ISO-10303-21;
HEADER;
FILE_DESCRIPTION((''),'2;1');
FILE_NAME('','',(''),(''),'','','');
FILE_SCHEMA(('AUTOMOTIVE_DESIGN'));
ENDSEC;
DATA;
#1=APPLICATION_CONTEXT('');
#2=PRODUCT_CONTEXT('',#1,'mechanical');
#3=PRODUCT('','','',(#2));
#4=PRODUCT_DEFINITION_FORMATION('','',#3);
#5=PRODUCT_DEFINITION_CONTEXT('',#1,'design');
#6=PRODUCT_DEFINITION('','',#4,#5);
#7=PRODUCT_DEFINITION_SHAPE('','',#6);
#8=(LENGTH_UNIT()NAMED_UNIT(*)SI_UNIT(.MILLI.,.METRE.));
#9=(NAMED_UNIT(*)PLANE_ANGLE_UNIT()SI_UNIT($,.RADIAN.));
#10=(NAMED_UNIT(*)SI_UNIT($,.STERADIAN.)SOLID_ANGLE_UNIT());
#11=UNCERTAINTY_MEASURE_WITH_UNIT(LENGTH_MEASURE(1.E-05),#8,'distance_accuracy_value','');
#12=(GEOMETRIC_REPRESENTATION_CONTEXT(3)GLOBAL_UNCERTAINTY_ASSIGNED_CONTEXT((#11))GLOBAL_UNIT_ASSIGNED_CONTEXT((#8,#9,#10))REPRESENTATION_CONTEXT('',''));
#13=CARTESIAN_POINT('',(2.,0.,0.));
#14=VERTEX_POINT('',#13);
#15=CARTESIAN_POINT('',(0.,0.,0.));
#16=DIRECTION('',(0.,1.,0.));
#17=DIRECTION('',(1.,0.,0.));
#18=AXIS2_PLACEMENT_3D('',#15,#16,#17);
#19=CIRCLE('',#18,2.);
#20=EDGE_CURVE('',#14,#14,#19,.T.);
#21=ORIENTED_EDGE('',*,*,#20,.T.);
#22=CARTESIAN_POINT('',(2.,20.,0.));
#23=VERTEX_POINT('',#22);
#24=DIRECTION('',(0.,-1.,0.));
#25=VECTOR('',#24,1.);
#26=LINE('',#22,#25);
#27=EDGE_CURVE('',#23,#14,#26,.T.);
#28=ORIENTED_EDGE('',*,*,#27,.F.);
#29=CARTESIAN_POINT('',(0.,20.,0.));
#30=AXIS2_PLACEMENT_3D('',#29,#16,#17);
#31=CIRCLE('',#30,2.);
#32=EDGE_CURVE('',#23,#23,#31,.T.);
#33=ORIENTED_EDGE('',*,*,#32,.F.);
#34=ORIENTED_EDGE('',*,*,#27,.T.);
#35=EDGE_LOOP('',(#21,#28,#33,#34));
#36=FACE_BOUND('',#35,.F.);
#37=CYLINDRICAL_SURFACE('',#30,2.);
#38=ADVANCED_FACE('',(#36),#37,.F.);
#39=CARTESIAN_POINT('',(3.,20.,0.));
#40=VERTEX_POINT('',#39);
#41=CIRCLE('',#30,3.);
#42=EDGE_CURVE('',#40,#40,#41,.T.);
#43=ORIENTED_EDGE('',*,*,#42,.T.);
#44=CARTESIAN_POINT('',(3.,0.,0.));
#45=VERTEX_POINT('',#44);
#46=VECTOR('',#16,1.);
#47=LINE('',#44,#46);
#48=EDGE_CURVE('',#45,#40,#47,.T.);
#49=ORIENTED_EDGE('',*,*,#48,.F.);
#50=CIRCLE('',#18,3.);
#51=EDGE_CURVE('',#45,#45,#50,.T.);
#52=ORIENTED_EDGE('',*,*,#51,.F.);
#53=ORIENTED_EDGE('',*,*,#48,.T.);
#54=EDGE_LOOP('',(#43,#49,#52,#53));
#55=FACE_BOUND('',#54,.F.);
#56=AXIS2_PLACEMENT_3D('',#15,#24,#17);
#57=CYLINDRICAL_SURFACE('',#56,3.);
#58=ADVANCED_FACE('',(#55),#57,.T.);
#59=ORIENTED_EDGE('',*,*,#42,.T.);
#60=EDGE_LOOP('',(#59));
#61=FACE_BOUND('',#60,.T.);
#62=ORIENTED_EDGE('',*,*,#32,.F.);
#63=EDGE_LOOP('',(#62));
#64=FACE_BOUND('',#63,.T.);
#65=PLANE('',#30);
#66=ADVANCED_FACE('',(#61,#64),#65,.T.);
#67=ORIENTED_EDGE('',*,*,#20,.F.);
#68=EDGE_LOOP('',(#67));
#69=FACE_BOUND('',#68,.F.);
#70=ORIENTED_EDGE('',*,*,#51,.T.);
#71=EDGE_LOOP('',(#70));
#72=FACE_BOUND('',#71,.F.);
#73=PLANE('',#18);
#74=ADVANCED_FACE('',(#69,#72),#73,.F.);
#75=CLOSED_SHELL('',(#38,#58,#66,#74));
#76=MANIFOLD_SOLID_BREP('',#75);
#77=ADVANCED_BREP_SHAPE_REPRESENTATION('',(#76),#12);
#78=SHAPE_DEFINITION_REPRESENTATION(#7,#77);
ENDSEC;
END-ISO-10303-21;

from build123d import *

# Parameters (mm, degrees)
SKETCH1_R           = 3
BOSS_EXTRUDE1_DEPTH = 20
SKETCH2_R           = 2
CUT_EXTRUDE1_DEPTH  = 21


with BuildPart() as part:
    # Sketch1 → Boss-Extrude1 (new body)
    with BuildSketch(Plane(origin=(0, 0, 0), x_dir=(1, 0, 0), z_dir=(0, 1, 0))):
        Circle(SKETCH1_R)
    extrude(amount=BOSS_EXTRUDE1_DEPTH)

    # Sketch2 → Cut-Extrude1 (cut, through all)
    with BuildSketch(Plane(origin=(0, 20, 0), x_dir=(1, 0, 0), z_dir=(0, 1, 0))):
        Circle(SKETCH2_R)
    extrude(amount=-CUT_EXTRUDE1_DEPTH, mode=Mode.SUBTRACT)


solid = part.part
